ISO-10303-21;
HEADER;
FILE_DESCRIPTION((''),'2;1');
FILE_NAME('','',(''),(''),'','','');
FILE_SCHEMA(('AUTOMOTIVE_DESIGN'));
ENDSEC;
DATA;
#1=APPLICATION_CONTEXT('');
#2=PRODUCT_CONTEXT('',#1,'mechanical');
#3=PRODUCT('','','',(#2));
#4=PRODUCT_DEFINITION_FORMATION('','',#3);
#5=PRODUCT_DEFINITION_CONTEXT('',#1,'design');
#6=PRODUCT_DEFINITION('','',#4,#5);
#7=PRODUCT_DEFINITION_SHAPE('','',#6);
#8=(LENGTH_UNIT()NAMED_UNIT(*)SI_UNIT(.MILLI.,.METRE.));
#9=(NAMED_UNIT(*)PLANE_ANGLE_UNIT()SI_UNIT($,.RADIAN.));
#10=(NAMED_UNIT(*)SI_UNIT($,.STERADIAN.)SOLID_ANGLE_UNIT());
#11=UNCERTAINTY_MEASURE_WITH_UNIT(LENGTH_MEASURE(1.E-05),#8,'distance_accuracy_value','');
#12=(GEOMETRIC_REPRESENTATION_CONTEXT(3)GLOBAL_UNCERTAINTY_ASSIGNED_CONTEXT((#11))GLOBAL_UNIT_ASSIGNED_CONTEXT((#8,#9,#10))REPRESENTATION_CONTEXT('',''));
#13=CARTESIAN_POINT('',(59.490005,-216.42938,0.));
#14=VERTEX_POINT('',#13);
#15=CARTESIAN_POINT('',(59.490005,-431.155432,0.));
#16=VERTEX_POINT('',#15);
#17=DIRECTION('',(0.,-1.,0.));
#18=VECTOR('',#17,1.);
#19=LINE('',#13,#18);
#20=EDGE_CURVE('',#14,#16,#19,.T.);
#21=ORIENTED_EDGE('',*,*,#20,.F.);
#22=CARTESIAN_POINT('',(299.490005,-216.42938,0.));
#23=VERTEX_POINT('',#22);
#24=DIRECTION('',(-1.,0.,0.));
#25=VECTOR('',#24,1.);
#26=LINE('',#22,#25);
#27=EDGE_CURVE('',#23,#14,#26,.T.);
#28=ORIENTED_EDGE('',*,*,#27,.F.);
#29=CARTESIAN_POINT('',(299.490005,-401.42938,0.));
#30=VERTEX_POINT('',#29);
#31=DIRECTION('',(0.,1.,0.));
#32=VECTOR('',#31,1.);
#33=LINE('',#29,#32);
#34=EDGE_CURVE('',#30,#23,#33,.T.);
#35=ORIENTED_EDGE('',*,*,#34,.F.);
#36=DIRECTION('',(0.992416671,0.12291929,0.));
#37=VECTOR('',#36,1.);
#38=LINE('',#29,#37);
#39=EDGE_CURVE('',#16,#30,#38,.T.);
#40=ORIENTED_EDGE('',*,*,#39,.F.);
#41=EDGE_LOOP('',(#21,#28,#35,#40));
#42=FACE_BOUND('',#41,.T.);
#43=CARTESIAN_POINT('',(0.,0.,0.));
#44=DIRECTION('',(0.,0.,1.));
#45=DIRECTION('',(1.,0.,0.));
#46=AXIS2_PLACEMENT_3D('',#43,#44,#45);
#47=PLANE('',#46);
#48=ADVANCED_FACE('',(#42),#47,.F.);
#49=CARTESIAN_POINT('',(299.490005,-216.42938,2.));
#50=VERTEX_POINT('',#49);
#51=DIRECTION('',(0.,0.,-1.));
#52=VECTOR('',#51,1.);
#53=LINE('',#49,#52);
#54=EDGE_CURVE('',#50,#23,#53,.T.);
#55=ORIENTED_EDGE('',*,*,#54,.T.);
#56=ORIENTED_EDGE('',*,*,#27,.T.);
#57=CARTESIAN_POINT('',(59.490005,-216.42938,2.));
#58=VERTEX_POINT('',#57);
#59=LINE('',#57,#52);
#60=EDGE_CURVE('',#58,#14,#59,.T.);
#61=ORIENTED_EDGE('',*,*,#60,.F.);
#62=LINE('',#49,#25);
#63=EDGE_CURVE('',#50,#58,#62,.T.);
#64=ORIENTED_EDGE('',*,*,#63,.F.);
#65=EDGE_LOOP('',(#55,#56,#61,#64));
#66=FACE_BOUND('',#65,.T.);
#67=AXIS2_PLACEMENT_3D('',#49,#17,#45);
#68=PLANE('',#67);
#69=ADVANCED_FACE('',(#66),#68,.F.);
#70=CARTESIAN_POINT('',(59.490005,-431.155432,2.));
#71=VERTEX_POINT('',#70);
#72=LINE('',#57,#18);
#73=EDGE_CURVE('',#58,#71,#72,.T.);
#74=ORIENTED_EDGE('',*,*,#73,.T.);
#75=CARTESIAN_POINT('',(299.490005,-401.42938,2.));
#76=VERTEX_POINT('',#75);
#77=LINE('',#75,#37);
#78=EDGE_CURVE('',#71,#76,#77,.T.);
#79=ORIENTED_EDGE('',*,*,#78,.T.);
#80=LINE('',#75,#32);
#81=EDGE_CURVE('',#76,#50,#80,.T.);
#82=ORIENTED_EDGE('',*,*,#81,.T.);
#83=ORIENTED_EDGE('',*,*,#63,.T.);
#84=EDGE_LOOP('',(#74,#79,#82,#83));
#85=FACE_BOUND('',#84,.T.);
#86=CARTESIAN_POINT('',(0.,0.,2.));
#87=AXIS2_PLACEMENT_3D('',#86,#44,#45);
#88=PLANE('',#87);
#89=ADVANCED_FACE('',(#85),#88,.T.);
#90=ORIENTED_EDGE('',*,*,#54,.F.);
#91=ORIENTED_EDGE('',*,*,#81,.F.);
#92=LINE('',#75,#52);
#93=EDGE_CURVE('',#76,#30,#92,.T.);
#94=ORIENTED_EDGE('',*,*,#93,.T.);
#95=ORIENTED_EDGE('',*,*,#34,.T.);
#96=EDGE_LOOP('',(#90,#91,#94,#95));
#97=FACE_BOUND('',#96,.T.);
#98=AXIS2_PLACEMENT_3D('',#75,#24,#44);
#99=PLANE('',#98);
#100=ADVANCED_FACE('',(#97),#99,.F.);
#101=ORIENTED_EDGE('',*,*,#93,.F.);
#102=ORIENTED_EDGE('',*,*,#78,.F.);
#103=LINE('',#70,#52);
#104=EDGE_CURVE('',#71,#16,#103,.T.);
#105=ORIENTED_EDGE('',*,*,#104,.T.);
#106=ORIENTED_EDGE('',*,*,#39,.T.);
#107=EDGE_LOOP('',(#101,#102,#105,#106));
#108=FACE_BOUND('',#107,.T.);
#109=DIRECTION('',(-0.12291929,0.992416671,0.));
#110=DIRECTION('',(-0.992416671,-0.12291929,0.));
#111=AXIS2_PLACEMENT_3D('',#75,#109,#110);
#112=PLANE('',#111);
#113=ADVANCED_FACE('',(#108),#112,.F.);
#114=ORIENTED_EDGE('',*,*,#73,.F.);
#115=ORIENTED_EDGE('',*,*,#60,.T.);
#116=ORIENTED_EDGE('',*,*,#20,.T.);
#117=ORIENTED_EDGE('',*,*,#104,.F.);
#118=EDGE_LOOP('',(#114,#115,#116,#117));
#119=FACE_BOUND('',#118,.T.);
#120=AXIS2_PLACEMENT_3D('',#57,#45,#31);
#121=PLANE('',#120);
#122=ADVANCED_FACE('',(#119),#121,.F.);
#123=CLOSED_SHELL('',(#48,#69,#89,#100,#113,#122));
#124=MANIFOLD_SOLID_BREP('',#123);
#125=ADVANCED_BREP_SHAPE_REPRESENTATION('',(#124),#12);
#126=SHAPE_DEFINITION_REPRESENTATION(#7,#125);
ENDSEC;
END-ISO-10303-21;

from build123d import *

# Parameters (mm, degrees)
BOSS_EXTRUDE1_DEPTH = 2


with BuildPart() as part:
    # Sketch1 → Boss-Extrude1 (new body)
    with BuildSketch(Plane.XY):
        Polygon((299.490005303, -216.429379744), (59.490005303, -216.429379744), (59.490005303, -431.155431781), (299.490005303, -401.429379744), align=None)
    extrude(amount=BOSS_EXTRUDE1_DEPTH)


solid = part.part
